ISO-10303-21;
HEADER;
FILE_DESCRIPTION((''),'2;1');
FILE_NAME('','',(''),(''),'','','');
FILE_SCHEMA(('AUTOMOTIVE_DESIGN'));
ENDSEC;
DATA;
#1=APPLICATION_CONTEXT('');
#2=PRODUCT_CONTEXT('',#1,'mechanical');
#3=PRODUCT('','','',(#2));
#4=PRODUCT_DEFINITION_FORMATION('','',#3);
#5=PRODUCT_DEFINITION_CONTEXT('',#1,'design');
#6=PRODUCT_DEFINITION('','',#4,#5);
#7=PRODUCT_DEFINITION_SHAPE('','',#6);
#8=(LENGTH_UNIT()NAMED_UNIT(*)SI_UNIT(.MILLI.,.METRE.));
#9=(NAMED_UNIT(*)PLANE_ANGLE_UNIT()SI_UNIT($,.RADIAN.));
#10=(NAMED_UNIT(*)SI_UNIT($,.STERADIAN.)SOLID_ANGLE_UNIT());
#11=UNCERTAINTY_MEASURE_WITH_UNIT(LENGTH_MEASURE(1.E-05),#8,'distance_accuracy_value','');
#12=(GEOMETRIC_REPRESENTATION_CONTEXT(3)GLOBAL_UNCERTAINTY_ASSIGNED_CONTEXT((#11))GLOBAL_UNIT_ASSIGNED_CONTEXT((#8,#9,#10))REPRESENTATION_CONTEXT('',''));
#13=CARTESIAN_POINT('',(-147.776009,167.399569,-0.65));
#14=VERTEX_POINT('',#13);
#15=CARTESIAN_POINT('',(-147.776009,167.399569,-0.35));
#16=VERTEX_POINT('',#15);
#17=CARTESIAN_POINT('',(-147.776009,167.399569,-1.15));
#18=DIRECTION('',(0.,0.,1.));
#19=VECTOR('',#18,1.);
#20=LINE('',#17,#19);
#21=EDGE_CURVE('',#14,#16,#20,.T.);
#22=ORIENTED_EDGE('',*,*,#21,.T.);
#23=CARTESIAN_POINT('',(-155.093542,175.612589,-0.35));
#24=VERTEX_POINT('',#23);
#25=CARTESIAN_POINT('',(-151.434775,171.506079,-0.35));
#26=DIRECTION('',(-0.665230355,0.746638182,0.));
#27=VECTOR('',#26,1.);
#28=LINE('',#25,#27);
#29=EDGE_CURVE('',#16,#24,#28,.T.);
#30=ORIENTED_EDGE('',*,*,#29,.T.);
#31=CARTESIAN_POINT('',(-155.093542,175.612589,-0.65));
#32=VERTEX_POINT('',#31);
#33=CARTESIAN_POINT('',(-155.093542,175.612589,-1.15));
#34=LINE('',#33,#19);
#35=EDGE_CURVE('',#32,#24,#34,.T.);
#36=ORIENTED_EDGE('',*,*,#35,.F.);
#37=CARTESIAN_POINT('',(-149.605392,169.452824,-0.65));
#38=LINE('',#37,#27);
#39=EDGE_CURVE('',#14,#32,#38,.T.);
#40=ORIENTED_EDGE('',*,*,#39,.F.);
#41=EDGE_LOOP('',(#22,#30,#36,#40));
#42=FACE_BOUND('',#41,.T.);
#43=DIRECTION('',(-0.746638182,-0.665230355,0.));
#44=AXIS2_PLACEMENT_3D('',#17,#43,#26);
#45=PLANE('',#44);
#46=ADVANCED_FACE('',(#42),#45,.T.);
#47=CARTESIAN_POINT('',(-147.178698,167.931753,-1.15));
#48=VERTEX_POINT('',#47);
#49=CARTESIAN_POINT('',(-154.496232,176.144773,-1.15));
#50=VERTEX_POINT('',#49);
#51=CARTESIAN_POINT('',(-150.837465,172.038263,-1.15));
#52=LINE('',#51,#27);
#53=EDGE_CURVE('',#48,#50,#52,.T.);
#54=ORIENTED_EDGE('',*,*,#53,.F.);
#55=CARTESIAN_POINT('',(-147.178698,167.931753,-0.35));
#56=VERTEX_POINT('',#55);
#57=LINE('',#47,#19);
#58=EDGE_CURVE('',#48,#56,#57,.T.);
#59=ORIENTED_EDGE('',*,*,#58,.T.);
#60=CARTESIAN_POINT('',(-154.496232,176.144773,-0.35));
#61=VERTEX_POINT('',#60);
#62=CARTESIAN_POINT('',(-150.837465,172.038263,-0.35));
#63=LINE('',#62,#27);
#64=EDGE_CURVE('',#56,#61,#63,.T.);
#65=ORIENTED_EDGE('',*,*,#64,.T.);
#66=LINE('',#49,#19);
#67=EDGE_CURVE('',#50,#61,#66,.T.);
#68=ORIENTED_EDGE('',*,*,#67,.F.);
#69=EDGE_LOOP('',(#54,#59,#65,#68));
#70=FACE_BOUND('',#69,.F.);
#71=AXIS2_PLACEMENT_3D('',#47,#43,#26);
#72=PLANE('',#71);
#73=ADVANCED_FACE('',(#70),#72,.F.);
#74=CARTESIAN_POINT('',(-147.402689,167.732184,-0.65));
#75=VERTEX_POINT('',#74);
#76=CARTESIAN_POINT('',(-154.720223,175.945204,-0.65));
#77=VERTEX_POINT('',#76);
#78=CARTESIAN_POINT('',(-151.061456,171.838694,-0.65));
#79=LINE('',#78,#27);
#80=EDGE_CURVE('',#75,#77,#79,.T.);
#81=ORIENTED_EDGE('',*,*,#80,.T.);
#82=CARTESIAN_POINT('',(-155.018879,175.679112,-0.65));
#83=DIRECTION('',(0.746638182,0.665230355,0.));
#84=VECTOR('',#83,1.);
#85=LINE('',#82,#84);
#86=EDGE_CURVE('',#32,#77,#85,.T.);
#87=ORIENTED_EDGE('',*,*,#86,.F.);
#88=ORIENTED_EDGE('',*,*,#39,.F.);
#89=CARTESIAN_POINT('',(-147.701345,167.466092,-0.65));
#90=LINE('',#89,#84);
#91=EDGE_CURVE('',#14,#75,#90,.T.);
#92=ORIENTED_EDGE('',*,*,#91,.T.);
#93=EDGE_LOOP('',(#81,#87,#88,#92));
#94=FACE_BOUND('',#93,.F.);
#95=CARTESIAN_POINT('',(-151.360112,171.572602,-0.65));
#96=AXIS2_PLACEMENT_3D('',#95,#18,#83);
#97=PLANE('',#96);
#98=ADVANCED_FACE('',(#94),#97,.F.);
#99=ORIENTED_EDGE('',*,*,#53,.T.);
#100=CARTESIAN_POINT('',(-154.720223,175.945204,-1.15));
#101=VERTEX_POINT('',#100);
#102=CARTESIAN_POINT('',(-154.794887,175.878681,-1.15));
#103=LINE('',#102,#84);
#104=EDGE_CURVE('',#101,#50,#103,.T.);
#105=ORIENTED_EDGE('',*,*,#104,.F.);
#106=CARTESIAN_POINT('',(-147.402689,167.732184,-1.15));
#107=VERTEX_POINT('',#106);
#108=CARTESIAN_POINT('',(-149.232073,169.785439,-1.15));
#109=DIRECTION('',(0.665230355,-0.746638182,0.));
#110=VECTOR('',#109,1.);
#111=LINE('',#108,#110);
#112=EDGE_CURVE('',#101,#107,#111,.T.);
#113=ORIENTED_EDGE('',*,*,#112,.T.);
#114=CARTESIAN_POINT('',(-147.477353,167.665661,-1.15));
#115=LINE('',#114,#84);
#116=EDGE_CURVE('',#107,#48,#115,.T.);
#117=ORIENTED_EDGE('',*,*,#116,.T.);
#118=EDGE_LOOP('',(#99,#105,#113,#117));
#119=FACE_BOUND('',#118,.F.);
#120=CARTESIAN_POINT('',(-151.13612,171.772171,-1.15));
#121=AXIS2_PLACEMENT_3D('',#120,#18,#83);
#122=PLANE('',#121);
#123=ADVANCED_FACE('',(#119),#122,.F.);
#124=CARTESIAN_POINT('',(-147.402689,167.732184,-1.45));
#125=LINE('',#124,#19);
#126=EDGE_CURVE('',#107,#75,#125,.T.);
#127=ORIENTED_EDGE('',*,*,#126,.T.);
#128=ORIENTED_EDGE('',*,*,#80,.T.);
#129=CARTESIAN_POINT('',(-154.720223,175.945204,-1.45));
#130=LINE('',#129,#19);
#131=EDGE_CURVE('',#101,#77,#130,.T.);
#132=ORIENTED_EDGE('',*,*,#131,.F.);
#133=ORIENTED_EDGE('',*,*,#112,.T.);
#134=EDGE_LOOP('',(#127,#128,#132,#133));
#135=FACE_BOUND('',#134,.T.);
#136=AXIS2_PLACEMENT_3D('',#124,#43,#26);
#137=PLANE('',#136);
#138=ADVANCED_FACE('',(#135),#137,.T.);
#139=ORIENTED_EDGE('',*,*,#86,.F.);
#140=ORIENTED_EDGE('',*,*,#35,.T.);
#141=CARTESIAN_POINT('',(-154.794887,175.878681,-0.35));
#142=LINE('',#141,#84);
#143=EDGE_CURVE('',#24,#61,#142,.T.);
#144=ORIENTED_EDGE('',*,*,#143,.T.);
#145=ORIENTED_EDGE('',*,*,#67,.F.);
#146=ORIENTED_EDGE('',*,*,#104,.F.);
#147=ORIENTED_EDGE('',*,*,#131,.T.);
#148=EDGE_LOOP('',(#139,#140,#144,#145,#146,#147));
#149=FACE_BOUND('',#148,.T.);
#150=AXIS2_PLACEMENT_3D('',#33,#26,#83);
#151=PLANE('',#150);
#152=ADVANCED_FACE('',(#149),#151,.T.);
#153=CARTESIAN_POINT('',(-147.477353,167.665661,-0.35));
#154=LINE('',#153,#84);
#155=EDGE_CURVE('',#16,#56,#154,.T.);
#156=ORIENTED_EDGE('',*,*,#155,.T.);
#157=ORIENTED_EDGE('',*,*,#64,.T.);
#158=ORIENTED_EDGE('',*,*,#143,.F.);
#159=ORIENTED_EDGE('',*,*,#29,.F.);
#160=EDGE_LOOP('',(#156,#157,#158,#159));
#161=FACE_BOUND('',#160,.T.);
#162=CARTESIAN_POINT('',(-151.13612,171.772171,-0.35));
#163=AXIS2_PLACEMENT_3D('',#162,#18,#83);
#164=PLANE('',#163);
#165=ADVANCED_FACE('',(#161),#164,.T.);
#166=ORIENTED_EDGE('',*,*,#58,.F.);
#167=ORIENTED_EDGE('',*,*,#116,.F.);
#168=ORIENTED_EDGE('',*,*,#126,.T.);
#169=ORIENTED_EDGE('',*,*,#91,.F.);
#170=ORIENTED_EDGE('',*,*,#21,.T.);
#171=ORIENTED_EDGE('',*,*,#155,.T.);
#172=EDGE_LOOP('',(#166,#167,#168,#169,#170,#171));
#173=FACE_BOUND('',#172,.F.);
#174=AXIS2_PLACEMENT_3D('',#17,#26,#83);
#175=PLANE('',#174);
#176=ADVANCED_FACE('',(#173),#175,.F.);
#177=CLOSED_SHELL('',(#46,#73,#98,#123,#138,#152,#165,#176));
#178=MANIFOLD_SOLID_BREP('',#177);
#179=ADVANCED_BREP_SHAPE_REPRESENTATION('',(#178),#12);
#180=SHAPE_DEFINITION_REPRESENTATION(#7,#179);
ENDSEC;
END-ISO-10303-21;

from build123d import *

# Parameters (mm, degrees)
BOX135_W               = 0.8
BOX135_H               = 11
BOX135_DEPTH           = 0.8
BOX136_W               = 0.8
BOX136_H               = 11
BOX136_DEPTH           = 0.8
CUT071_PLACEMENT_ANGLE = 41.7


with BuildPart() as cubo135:
    # Box135 → Box135 (new body)
    with BuildSketch(Plane.XY):
        with Locations((0.4, 5.5)):
            Rectangle(BOX135_W, BOX135_H)
    extrude(amount=BOX135_DEPTH)


with BuildPart() as perfil_l_2da_cara013:
    # Box136 → Box136 (new body)
    with BuildSketch(Plane(origin=(0.3, 0, 0.3), x_dir=(1, 0, 0), z_dir=(0, 0, 1))):
        with Locations((0.4, 5.5)):
            Rectangle(BOX136_W, BOX136_H)
    extrude(amount=BOX136_DEPTH)

    # Cut071: cut Cubo135
    add(cubo135.part, mode=Mode.SUBTRACT)


with BuildPart() as perfil_l_2da_cara013_1:
    # Cut071 placement: moved
    add(perfil_l_2da_cara013.part.moved(Location((-148, 167.2, -1.45))).rotate(Axis((-148, 167.2, -1.45), (0, 0, 1)), CUT071_PLACEMENT_ANGLE))


solid = perfil_l_2da_cara013_1.part
